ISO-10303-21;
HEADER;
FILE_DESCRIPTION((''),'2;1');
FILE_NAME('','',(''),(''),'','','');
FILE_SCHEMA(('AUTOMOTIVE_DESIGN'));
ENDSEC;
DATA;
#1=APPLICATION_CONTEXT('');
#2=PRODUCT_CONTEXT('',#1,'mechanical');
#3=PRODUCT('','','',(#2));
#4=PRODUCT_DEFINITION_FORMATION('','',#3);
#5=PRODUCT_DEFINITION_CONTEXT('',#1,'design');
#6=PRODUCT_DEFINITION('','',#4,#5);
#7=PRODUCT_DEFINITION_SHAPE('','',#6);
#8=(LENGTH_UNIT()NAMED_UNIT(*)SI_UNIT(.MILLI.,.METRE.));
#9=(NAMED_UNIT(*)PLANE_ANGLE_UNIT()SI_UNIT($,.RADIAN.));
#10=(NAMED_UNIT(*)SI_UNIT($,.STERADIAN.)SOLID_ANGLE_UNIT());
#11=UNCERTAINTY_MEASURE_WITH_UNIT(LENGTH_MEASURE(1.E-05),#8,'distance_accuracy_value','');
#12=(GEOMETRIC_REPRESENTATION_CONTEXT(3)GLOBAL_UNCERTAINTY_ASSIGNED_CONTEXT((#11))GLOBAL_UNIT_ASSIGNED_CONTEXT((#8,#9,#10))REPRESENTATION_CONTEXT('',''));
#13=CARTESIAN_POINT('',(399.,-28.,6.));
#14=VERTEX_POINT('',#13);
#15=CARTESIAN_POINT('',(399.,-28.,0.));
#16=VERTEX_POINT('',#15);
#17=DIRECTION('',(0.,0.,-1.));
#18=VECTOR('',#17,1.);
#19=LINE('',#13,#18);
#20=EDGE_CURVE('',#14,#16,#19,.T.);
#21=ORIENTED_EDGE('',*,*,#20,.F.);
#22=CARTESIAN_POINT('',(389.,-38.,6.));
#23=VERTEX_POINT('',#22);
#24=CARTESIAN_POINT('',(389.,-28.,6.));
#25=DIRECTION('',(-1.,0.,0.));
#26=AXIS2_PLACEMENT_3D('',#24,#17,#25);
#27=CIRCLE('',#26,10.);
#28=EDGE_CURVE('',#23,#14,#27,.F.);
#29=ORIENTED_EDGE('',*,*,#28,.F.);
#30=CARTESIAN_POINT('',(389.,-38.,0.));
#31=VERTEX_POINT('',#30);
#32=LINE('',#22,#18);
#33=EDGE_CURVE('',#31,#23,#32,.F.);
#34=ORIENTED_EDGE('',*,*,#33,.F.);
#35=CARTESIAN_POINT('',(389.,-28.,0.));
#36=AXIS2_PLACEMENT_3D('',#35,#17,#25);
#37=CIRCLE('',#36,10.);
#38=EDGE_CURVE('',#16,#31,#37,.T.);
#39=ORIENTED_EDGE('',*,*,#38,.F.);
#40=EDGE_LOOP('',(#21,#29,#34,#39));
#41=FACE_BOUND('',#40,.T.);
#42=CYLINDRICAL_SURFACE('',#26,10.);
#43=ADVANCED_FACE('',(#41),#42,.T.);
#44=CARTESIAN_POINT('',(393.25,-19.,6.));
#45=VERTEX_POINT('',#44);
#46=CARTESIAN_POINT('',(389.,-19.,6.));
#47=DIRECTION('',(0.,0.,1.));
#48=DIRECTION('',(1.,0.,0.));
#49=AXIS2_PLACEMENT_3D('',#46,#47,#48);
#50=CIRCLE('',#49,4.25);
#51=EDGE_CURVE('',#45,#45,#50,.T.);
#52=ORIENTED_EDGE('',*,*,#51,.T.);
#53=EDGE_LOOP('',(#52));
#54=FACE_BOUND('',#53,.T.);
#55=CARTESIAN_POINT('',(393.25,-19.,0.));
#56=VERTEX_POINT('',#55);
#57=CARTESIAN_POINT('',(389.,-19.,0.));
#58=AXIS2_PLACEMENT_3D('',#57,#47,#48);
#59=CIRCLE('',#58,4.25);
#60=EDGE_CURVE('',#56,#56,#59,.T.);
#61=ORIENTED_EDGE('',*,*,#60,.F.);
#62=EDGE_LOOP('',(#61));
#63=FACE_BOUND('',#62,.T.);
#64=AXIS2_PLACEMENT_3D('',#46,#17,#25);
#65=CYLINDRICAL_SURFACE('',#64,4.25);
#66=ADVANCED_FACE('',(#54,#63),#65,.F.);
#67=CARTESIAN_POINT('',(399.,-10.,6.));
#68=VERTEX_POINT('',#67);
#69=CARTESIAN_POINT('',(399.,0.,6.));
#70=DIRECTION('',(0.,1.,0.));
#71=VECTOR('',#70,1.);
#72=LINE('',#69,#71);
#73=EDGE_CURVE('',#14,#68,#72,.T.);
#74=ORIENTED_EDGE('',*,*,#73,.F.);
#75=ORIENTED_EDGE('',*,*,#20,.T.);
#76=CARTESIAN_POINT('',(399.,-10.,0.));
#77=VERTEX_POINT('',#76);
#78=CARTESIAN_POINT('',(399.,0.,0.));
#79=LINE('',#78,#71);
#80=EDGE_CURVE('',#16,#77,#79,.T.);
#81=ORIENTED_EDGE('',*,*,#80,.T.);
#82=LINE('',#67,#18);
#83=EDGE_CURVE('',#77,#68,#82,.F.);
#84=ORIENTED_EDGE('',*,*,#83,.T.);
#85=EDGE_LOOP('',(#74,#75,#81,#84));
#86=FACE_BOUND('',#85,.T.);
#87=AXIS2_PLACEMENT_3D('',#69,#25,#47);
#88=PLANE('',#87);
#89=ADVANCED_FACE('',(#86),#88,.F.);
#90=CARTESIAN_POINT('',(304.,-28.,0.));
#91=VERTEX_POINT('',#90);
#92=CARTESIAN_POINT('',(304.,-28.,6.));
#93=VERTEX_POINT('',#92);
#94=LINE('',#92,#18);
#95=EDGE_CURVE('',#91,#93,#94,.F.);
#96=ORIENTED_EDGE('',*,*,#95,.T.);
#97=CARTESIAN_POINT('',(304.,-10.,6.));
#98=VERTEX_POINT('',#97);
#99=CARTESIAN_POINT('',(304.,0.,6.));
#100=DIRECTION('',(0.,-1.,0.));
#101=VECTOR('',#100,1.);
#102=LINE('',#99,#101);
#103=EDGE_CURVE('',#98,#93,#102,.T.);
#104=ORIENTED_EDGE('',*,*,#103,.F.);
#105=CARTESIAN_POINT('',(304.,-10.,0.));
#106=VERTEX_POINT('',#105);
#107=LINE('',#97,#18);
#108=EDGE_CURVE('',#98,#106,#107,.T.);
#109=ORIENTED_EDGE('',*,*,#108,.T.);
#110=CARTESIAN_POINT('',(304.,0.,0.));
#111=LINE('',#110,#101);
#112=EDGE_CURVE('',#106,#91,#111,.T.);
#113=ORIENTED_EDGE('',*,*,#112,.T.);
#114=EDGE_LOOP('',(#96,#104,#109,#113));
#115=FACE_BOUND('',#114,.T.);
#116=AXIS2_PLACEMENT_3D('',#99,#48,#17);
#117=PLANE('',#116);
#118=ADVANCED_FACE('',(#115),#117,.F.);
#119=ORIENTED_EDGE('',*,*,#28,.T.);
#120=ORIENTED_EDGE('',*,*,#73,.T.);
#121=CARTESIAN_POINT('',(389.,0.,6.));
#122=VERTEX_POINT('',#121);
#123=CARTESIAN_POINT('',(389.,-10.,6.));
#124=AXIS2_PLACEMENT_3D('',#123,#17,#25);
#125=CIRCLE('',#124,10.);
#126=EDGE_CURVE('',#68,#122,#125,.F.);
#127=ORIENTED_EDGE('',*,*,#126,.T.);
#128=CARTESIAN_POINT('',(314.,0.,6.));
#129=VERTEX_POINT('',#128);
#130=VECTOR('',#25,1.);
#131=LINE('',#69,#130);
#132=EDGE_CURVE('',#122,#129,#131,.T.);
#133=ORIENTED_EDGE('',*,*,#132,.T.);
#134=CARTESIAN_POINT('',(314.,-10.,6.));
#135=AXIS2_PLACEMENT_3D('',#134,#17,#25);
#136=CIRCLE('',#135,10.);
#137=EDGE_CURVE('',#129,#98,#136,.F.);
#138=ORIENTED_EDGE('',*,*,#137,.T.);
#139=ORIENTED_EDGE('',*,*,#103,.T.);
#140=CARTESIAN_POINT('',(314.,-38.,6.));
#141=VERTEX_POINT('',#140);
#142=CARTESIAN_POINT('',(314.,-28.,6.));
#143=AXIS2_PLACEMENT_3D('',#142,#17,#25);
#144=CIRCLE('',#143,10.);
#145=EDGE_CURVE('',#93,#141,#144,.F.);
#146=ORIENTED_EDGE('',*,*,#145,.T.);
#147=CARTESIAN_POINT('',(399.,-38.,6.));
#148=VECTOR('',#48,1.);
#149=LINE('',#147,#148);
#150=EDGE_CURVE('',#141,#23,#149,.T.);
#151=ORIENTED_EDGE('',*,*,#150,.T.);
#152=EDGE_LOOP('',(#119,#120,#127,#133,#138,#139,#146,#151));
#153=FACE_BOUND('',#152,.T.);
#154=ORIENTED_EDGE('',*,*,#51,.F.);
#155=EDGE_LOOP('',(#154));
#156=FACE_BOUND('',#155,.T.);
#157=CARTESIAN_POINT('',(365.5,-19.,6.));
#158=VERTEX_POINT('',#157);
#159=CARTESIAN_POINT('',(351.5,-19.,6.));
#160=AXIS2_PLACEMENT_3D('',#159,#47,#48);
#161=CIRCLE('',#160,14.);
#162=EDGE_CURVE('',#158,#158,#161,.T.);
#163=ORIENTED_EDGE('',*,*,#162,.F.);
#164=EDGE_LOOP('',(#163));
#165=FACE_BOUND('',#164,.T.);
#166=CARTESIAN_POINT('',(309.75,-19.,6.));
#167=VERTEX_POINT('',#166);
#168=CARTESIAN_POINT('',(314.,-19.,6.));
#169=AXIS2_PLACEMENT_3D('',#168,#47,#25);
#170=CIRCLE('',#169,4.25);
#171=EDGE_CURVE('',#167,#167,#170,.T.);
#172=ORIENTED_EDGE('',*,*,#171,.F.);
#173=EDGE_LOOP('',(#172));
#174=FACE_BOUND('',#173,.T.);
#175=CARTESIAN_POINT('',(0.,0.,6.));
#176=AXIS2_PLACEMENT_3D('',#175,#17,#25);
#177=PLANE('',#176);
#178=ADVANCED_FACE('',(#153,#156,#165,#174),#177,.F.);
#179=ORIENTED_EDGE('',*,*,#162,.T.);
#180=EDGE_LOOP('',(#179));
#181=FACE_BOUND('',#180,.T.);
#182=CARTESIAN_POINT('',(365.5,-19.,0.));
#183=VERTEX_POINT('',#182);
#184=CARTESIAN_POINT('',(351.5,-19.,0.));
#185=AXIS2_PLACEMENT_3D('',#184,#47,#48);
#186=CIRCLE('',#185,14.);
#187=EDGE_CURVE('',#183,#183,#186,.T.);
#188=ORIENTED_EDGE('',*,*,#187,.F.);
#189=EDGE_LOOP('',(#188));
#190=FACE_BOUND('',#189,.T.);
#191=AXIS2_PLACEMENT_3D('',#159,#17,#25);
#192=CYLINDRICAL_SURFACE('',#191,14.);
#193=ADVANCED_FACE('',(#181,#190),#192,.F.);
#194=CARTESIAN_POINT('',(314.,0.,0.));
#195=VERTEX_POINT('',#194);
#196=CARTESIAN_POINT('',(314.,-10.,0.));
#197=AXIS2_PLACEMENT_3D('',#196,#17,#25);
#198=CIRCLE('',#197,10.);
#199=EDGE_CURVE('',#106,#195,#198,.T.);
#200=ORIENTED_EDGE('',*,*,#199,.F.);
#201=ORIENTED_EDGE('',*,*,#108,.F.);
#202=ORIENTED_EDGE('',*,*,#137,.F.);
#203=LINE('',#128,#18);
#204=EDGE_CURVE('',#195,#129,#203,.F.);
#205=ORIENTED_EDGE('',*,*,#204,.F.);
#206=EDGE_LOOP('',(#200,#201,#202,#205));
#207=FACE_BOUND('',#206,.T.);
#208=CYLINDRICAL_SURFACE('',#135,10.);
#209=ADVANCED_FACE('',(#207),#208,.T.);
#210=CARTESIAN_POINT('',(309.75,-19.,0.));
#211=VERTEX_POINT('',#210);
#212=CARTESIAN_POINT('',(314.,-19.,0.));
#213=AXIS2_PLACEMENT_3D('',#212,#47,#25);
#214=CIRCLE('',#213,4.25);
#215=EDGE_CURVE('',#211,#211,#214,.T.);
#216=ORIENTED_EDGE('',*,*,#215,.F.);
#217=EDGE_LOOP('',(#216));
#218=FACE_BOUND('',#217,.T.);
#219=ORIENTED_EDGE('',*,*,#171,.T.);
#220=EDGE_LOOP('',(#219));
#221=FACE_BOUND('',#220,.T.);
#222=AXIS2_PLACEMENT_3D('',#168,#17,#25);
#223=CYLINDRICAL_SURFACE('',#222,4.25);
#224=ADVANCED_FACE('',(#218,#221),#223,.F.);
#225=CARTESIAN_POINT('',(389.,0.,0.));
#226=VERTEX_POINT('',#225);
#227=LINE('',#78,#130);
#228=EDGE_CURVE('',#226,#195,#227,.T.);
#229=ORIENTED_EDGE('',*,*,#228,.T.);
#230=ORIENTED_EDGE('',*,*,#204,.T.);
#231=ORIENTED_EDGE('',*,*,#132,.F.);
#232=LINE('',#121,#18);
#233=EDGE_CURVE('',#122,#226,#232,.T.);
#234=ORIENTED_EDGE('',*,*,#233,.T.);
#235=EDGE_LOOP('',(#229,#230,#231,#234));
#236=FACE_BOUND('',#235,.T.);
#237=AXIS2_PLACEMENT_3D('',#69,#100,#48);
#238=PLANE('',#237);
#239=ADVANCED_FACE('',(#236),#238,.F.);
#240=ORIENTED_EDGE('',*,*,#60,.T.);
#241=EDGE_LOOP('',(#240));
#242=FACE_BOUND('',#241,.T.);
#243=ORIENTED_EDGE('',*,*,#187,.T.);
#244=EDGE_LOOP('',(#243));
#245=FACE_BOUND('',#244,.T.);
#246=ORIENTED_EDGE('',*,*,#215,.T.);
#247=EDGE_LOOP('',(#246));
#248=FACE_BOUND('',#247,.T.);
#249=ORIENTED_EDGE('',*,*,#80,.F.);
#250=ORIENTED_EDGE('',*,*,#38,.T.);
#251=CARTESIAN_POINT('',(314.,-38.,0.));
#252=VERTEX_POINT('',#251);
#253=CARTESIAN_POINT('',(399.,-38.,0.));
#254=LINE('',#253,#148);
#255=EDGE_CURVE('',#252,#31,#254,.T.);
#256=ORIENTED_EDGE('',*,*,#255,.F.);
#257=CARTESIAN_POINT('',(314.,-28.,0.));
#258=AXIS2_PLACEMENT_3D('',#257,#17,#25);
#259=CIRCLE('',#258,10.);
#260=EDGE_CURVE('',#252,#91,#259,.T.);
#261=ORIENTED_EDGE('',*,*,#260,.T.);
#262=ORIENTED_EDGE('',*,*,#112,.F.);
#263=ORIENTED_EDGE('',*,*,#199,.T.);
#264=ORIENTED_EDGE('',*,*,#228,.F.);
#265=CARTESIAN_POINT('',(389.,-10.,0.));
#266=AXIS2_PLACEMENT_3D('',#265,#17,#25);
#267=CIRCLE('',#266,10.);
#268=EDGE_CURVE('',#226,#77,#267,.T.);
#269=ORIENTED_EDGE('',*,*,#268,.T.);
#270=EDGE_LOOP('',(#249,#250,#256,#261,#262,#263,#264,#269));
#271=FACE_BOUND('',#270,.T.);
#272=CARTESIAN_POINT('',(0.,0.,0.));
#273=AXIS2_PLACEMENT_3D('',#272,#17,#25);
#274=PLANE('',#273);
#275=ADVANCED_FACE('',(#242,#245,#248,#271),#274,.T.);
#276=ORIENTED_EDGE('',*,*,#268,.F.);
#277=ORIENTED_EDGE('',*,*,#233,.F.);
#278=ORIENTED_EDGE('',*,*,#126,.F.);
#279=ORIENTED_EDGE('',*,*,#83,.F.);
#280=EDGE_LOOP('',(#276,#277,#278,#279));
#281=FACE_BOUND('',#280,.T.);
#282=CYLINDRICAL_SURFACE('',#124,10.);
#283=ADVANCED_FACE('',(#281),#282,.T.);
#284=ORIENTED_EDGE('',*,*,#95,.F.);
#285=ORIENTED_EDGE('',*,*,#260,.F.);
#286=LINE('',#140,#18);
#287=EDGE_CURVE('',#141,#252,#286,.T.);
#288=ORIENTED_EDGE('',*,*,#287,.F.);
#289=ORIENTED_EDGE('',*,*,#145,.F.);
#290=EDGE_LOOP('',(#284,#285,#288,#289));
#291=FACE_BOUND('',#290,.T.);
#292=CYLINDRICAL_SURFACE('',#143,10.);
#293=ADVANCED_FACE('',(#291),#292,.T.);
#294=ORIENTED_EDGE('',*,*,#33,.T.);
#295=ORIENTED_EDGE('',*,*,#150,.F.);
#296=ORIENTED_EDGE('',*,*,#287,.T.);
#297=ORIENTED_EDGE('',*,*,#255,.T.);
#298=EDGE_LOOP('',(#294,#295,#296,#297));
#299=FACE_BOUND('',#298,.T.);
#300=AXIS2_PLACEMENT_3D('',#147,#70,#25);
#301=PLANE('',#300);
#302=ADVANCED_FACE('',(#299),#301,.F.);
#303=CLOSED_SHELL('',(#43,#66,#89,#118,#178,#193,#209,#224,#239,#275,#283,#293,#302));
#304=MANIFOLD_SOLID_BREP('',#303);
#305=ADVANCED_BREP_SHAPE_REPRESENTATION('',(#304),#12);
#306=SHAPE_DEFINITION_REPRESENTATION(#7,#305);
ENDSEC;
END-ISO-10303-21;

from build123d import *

# Parameters (mm, degrees)
SKETCH1_W           = 95
SKETCH1_H           = 38
SKETCH1_R           = 14
SKETCH1_R_2         = 4.25
BOSS_EXTRUDE1_DEPTH = 6
FILLET1_R           = 10


with BuildPart() as part:
    # Sketch1 → Boss-Extrude1 (new body)
    with BuildSketch(Plane.XY):
        with Locations((351.5, -19)):
            Rectangle(SKETCH1_W, SKETCH1_H)
        with Locations((351.5, -19)):
            Circle(SKETCH1_R, mode=Mode.SUBTRACT)
        with Locations((389, -19)):
            Circle(SKETCH1_R_2, mode=Mode.SUBTRACT)
        with Locations(Location((314, -19, 0), (0, 0, 180))):
            Circle(SKETCH1_R_2, mode=Mode.SUBTRACT)
    extrude(amount=BOSS_EXTRUDE1_DEPTH)

    # Fillet1
    fillet1_edges = [part.edges().sort_by_distance(p)[0] for p in [
        (399, -38, 3),
        (304, -38, 3),
        (304, 0, 3),
        (399, 0, 3),
    ]]
    fillet(fillet1_edges, radius=FILLET1_R)


solid = part.part
